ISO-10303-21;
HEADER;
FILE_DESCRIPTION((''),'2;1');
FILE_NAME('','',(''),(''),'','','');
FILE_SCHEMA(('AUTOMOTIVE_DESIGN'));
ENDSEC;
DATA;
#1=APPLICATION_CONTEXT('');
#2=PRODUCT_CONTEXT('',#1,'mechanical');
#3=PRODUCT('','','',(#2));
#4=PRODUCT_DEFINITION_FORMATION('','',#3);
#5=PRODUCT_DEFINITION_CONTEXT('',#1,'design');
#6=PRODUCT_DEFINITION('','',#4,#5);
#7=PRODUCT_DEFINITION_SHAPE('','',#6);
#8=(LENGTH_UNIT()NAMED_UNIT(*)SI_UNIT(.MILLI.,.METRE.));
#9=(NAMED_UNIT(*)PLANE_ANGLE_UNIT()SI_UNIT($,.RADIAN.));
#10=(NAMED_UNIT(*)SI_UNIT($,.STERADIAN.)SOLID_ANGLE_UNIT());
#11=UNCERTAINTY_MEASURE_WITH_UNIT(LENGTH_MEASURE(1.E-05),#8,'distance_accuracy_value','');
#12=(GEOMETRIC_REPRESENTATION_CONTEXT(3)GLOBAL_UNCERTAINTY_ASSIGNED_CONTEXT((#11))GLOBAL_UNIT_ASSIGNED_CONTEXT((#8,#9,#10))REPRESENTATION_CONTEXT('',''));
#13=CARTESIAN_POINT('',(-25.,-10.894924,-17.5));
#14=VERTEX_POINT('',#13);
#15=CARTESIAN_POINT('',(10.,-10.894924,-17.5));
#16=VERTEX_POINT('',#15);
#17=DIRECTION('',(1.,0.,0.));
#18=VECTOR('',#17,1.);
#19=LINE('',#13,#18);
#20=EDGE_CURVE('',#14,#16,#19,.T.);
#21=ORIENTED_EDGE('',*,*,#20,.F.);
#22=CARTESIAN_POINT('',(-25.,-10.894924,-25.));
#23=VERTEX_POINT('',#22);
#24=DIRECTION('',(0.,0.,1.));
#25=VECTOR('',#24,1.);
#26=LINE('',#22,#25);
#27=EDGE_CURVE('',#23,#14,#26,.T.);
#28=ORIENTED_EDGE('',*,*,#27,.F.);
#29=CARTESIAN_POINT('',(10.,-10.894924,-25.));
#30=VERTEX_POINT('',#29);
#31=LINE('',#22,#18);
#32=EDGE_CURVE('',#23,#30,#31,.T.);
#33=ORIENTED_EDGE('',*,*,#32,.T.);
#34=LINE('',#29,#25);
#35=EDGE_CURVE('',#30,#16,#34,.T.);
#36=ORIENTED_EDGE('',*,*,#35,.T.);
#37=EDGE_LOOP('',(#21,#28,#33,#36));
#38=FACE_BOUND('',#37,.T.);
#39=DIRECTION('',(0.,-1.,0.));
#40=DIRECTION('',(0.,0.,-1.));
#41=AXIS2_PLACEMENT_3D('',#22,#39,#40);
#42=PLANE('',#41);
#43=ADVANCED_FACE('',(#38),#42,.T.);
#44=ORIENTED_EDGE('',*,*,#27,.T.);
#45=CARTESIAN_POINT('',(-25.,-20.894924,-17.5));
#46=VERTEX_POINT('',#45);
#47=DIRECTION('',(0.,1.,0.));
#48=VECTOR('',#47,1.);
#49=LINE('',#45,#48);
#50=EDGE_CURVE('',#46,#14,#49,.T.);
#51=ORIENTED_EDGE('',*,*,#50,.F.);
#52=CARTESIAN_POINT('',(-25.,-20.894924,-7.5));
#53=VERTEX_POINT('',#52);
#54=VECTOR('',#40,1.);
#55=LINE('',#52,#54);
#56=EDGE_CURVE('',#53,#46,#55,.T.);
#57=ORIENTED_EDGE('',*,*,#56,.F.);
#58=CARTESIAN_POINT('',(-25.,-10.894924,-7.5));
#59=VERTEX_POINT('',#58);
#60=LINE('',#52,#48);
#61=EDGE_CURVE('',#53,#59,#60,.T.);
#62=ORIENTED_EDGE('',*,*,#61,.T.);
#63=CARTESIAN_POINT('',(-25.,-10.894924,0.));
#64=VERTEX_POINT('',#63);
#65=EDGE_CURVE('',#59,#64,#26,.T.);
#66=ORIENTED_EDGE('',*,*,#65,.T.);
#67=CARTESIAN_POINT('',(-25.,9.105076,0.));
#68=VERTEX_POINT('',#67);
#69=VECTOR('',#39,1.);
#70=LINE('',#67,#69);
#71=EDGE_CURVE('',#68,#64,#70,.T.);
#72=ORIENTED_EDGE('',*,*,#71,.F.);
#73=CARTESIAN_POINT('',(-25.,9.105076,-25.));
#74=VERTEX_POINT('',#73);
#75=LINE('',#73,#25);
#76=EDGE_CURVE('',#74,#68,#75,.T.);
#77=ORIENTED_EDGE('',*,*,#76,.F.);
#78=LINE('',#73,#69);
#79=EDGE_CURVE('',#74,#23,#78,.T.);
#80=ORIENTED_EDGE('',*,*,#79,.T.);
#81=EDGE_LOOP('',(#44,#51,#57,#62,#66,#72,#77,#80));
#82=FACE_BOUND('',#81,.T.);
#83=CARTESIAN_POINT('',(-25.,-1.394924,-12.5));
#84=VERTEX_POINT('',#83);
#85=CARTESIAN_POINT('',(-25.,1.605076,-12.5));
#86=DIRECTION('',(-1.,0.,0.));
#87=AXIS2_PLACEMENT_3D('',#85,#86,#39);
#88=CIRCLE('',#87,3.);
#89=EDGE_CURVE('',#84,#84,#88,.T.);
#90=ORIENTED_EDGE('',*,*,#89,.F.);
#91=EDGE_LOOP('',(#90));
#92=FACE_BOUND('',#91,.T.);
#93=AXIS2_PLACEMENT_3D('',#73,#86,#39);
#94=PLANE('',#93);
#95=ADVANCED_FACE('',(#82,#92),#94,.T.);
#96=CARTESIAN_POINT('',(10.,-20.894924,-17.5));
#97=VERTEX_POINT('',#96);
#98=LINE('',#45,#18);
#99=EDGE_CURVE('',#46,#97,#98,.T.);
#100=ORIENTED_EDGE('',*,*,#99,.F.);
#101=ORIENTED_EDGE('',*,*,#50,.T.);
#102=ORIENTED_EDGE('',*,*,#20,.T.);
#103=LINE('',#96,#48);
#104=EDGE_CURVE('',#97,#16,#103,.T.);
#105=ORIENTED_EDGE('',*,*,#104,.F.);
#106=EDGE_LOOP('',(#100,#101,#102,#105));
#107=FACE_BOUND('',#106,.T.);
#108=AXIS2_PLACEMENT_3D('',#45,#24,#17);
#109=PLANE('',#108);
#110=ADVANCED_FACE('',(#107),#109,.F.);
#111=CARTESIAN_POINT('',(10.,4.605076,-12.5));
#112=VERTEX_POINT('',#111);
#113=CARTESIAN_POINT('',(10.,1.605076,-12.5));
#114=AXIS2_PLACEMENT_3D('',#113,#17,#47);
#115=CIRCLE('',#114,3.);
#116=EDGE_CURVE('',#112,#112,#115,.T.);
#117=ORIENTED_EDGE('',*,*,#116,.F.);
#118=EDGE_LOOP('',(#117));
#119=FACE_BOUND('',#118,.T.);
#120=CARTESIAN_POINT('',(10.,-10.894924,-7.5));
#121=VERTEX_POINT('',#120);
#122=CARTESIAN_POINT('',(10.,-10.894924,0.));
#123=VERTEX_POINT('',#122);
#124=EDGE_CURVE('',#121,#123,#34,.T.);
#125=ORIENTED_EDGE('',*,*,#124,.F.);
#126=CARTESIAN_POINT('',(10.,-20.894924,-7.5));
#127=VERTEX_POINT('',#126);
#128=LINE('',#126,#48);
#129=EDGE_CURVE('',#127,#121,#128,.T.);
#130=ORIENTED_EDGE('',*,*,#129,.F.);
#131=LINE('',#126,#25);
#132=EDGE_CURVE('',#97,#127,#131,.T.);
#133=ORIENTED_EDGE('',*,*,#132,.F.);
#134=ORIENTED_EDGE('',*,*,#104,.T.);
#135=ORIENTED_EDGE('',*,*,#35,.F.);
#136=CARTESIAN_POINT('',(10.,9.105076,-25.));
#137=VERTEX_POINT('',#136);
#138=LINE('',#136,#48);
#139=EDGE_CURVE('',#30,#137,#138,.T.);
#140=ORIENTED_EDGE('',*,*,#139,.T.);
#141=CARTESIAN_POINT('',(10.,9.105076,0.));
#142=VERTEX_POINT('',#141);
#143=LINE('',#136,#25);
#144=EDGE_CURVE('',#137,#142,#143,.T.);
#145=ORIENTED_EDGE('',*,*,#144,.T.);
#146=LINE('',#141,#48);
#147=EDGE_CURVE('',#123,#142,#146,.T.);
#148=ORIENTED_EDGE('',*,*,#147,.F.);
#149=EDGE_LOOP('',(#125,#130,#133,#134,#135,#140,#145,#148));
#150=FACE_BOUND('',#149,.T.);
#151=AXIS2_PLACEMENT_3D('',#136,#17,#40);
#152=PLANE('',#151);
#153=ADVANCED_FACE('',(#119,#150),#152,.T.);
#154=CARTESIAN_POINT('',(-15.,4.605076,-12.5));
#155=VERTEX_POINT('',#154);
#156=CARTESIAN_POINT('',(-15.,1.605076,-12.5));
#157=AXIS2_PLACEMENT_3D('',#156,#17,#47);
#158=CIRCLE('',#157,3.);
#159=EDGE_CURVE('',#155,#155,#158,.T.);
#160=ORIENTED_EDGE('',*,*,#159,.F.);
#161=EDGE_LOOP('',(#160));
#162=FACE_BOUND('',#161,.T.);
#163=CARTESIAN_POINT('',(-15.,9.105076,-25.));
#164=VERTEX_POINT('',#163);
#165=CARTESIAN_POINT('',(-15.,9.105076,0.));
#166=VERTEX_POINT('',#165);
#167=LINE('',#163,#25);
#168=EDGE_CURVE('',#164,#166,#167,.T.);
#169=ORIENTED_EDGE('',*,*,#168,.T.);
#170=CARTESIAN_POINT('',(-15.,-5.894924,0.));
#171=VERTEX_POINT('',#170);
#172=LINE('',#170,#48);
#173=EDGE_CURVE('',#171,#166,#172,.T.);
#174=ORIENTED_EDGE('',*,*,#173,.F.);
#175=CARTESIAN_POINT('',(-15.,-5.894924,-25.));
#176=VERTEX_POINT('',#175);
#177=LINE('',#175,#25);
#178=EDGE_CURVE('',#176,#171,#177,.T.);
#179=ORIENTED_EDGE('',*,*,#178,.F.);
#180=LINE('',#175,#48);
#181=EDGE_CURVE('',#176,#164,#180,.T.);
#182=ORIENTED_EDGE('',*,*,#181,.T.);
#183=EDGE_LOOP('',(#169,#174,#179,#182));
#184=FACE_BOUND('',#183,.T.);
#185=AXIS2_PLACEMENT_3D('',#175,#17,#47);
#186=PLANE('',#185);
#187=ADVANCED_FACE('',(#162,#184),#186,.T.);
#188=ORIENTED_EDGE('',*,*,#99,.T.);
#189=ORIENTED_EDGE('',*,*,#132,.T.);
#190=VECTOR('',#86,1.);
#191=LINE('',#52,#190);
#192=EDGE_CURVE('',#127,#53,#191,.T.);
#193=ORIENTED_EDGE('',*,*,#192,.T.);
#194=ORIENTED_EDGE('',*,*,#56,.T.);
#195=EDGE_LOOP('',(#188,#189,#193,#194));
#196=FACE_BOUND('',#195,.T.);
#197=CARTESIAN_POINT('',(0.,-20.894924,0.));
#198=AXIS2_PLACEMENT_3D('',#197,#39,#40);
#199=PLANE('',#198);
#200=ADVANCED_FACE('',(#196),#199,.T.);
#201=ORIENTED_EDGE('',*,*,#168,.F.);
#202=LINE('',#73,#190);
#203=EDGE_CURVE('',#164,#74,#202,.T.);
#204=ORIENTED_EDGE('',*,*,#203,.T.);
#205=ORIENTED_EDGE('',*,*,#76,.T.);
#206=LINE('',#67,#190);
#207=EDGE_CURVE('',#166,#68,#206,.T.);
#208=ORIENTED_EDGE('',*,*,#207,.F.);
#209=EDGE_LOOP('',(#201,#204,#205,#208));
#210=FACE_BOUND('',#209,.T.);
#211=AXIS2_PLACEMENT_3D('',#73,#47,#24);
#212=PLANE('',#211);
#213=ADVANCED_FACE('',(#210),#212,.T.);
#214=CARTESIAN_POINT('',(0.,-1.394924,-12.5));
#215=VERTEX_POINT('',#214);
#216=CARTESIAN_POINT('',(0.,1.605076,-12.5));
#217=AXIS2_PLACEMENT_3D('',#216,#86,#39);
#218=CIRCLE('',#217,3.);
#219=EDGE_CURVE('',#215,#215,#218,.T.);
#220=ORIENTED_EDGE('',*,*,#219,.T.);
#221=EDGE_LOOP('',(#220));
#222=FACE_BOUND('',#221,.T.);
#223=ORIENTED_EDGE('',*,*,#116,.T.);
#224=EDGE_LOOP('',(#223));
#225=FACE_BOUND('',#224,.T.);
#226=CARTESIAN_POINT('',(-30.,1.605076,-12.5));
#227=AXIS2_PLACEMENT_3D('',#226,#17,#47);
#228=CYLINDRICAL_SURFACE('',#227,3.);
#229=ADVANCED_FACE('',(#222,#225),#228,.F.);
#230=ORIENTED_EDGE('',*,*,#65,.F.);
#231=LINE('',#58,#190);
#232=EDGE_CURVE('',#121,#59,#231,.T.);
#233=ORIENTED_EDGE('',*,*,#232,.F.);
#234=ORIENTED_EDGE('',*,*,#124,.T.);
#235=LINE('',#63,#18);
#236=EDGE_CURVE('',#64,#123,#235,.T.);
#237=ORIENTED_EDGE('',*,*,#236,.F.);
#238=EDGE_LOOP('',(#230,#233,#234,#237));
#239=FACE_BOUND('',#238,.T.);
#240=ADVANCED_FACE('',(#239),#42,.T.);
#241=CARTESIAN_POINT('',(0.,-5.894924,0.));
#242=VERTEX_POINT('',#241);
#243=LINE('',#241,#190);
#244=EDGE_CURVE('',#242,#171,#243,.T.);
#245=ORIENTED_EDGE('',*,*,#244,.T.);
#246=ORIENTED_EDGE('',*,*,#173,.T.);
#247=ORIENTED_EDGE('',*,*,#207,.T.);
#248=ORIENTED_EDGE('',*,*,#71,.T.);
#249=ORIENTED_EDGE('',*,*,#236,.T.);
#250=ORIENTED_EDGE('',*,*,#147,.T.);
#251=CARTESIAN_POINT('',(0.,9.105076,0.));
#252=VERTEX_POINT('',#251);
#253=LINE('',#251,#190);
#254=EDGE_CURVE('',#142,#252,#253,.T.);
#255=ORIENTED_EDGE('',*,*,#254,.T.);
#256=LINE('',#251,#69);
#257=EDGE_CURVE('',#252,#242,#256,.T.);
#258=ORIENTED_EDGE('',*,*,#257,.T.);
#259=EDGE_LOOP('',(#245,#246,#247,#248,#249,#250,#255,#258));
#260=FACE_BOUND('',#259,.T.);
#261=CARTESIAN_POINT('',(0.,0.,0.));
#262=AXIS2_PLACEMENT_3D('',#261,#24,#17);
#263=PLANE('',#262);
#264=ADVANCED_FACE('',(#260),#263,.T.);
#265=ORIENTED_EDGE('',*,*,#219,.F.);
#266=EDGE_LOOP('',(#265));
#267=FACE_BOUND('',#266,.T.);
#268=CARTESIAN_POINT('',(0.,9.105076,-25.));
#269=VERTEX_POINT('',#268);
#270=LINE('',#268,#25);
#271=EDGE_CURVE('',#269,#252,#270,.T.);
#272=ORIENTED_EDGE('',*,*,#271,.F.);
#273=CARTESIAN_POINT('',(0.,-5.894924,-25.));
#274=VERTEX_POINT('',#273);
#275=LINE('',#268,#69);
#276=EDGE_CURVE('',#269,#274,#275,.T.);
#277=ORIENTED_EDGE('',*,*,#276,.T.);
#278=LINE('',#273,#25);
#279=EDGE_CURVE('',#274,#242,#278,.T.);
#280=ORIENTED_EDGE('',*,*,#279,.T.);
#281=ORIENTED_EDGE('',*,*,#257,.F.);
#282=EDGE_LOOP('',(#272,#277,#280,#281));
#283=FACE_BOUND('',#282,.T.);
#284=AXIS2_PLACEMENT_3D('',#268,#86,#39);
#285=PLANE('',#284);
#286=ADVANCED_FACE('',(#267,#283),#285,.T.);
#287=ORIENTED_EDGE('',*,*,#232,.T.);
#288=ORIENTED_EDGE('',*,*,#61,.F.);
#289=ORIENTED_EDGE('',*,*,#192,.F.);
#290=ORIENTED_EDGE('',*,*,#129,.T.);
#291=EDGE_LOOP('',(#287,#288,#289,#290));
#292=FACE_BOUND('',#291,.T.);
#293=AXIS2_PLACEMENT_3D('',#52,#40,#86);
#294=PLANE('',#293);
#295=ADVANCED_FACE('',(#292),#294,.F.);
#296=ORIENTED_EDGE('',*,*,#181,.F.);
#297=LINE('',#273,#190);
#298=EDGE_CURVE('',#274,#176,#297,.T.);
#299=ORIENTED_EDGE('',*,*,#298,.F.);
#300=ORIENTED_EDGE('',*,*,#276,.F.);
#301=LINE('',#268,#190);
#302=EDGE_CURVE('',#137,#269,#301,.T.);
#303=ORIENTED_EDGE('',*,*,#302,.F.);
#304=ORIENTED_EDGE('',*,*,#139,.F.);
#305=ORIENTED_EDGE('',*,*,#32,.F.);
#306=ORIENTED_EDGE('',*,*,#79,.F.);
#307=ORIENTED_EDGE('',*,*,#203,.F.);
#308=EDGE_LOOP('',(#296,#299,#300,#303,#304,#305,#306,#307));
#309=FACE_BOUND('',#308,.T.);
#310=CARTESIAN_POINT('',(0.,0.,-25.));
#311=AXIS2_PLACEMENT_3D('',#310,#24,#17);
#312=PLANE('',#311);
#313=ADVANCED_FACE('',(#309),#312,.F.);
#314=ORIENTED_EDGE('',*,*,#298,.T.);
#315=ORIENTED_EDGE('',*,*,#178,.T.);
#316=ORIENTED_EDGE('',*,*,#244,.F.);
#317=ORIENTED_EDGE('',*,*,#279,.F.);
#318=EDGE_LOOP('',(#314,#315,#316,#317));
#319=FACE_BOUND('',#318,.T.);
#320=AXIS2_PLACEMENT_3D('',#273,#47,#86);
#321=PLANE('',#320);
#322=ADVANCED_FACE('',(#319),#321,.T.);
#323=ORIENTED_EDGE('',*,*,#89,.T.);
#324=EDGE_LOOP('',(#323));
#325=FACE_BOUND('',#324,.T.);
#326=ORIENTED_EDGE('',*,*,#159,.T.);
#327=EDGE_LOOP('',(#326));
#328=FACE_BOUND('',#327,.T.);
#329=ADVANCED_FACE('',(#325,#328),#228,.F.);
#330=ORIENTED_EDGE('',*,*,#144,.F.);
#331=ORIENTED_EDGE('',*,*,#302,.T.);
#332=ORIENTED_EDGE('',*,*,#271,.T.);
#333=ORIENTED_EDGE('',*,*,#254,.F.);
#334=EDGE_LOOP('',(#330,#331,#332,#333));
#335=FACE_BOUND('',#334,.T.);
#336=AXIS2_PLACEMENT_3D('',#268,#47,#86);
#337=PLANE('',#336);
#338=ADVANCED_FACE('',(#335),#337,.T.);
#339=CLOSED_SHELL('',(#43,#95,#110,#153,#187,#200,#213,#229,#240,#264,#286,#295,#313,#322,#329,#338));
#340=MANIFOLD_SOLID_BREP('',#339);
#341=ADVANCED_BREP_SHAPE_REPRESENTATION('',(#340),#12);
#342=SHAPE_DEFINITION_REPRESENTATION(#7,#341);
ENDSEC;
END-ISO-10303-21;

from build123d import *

# Parameters (mm, degrees)
BOSS_EXTRUDE1_DEPTH = 25
SKETCH4_R           = 3
CUT_EXTRUDE1_DEPTH  = 40
SKETCH5_W           = 35
SKETCH5_H           = 10
BOSS_EXTRUDE3_DEPTH = 10


with BuildPart() as part:
    # Sketch1 → Boss-Extrude1 (new body)
    with BuildSketch(Plane.XY):
        Polygon((0, 9.105075836), (0, -5.894924164), (-15, -5.894924164), (-15, 9.105075836), (-25, 9.105075836), (-25, -10.894924164), (10, -10.894924164), (10, 9.105075836), align=None)
    extrude(amount=-BOSS_EXTRUDE1_DEPTH)

    # Sketch4 → Cut-Extrude1 (cut)
    with BuildSketch(Plane(origin=(10, 0, 0), x_dir=(0, 0, -1), z_dir=(1, 0, 0))):
        with Locations(Location((12.5, 1.605075836, 0), (0, 0, 90))):
            Circle(SKETCH4_R)
    extrude(amount=-CUT_EXTRUDE1_DEPTH, mode=Mode.SUBTRACT)

    # Sketch5 → Boss-Extrude3 (add)
    with BuildSketch(Plane.XZ.offset(10.894924164)):
        with Locations((-7.5, -12.5)):
            Rectangle(SKETCH5_W, SKETCH5_H)
    extrude(amount=BOSS_EXTRUDE3_DEPTH)


solid = part.part
